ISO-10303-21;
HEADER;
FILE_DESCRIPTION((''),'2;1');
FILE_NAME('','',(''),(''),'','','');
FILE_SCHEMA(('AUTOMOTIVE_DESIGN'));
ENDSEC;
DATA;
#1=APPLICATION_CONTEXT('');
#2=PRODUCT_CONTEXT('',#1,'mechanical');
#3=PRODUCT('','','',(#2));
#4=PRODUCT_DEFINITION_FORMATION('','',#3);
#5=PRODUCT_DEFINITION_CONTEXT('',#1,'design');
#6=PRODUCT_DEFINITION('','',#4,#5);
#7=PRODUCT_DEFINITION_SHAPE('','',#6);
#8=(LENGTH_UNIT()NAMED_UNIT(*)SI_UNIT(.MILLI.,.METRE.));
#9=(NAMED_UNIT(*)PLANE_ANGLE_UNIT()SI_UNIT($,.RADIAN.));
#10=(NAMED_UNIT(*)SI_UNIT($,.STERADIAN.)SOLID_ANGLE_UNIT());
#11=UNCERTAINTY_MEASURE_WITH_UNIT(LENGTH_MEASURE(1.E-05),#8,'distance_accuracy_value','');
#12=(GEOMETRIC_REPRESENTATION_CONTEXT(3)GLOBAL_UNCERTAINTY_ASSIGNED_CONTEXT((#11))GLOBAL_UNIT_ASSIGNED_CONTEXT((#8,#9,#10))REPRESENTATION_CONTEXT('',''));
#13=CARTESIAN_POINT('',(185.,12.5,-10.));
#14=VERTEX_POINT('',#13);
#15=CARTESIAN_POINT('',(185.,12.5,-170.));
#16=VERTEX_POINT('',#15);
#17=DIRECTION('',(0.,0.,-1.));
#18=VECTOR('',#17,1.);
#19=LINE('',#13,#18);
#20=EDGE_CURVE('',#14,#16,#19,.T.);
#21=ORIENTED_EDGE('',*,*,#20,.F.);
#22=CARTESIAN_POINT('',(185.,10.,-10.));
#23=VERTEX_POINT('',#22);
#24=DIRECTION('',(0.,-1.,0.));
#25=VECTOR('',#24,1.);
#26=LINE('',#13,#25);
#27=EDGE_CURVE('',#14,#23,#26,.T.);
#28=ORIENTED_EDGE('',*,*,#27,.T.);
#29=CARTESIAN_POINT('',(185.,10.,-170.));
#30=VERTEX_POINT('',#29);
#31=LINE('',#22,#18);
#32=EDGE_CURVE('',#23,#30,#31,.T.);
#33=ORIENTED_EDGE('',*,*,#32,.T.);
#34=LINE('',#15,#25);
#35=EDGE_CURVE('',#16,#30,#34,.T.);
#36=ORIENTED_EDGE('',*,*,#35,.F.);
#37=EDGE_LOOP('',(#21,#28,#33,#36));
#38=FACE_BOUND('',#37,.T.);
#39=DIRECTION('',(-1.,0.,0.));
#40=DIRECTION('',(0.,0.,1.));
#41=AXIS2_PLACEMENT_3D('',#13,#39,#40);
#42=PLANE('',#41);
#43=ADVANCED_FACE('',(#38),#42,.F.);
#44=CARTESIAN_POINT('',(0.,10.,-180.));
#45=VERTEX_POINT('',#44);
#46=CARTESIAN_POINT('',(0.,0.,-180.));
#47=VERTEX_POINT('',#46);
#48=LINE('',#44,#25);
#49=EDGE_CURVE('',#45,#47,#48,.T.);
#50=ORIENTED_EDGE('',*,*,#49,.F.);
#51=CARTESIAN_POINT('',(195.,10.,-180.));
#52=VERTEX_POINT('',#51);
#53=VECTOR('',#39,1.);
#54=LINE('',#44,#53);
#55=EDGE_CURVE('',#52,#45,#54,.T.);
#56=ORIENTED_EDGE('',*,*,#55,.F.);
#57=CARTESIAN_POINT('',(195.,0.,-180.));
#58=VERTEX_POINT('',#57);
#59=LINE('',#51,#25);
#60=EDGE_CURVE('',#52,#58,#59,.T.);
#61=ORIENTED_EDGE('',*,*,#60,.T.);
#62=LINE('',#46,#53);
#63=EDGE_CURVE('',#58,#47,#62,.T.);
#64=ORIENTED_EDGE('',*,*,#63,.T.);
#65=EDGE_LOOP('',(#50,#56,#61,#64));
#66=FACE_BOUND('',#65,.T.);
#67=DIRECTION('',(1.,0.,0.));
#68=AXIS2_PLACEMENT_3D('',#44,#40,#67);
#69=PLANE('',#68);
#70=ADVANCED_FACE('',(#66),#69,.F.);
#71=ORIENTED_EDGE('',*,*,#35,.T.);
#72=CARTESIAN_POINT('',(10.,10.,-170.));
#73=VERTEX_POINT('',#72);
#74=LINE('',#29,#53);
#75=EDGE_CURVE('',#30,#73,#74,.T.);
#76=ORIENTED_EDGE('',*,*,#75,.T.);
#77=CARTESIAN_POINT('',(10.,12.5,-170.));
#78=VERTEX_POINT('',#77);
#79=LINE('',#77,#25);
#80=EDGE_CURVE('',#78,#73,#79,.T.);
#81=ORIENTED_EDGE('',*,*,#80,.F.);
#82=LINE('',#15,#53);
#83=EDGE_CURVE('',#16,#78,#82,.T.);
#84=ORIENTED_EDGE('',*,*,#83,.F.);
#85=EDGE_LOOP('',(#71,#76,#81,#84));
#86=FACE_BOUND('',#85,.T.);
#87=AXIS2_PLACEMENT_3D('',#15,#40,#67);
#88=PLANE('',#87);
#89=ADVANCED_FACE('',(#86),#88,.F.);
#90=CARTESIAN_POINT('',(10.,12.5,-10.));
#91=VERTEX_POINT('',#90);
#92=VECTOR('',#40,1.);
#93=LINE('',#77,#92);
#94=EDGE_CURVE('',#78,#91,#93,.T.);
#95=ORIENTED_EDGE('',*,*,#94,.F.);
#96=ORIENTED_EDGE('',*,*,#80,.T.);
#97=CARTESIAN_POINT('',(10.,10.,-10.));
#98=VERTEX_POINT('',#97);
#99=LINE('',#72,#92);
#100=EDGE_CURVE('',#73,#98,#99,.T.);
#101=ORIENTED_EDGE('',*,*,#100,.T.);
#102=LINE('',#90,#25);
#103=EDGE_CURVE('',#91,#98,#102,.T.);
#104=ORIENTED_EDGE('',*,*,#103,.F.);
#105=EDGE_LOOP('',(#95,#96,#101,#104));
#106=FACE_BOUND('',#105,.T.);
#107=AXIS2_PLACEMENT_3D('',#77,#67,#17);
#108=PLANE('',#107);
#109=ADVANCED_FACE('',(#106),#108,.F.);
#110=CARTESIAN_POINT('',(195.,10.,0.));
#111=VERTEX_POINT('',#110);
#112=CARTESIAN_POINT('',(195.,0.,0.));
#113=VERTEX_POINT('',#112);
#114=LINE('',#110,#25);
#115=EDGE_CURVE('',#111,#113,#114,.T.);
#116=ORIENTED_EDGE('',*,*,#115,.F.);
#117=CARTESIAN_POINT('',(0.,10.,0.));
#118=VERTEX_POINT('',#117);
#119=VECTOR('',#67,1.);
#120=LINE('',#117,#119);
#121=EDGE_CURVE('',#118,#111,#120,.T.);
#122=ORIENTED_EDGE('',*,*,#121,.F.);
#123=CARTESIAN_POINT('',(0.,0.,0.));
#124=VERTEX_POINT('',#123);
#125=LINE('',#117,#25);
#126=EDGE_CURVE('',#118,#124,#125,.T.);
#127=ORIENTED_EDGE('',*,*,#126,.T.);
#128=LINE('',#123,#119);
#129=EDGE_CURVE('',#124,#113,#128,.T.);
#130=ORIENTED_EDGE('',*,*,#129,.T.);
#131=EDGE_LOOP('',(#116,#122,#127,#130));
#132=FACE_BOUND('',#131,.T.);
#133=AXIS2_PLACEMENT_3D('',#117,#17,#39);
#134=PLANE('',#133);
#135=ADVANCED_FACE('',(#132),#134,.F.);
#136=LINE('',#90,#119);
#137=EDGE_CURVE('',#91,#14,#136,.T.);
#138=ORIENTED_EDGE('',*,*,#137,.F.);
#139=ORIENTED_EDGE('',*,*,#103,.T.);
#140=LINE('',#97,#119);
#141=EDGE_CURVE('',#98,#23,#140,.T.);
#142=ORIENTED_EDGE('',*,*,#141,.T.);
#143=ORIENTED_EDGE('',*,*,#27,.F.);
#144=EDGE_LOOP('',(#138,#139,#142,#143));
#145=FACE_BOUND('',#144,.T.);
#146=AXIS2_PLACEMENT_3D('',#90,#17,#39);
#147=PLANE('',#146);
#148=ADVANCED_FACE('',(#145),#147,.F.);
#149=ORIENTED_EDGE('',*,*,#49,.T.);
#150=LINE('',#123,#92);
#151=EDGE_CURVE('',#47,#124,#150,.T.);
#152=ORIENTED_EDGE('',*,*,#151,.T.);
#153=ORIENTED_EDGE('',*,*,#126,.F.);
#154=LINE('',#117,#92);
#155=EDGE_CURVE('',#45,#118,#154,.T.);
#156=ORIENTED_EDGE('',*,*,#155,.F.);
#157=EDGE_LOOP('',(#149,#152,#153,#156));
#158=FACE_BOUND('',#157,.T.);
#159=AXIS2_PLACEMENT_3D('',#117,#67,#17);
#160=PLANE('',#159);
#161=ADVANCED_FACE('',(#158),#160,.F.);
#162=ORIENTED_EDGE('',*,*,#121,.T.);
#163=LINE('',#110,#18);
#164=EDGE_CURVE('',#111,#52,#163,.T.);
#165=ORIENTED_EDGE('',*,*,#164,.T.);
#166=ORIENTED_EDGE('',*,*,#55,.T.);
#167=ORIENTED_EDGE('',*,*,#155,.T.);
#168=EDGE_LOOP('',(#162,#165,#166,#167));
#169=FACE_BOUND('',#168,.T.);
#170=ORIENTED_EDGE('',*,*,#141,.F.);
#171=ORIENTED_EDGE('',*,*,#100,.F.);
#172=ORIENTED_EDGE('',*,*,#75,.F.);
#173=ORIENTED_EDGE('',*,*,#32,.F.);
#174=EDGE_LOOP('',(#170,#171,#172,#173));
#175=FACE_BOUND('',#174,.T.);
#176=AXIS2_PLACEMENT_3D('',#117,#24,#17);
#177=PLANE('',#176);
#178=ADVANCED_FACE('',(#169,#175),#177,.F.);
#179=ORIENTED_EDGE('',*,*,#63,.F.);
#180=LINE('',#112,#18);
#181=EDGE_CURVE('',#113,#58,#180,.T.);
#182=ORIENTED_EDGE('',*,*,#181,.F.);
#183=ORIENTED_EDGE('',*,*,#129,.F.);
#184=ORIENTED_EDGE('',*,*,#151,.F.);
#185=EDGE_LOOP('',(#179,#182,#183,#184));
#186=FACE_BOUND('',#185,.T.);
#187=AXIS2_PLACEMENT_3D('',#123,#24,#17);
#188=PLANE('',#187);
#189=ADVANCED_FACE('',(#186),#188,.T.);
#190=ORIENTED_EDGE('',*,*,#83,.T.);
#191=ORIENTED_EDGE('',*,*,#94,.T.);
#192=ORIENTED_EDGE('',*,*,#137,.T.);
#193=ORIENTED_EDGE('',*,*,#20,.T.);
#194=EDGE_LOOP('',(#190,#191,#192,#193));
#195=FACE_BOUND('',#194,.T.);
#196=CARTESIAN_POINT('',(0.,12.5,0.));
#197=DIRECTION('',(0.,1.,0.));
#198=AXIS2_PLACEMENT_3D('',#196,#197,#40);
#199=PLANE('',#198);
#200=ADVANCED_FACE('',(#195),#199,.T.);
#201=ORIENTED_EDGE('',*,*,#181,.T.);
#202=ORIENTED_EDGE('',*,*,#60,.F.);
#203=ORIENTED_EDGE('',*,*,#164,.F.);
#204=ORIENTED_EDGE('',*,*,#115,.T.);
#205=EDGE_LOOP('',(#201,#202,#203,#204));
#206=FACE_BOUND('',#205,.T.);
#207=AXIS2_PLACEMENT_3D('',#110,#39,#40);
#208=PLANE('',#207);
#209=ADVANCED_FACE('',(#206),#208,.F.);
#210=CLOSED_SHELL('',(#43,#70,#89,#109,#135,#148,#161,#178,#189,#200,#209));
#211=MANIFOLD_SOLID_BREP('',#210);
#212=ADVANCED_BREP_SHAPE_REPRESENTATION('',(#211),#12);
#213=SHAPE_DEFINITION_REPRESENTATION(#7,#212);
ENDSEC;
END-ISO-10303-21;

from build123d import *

# Parameters (mm, degrees)
SKETCH2_W           = 195
SKETCH2_H           = 180
BOSS_EXTRUDE1_DEPTH = 10
SKETCH3_W           = 175
SKETCH3_H           = 160
BOSS_EXTRUDE2_DEPTH = 2.5


with BuildPart() as part:
    # Sketch2 → Boss-Extrude1 (new body)
    with BuildSketch(Plane(origin=(0, 0, 0), x_dir=(1, 0, 0), z_dir=(0, 1, 0))):
        with Locations((97.5, 90)):
            Rectangle(SKETCH2_W, SKETCH2_H)
    extrude(amount=BOSS_EXTRUDE1_DEPTH)

    # Sketch3 → Boss-Extrude2 (add)
    with BuildSketch(Plane(origin=(0, 10, 0), x_dir=(1, 0, 0), z_dir=(0, 1, 0))):
        with Locations((97.5, 90)):
            Rectangle(SKETCH3_W, SKETCH3_H)
    extrude(amount=BOSS_EXTRUDE2_DEPTH)


solid = part.part
